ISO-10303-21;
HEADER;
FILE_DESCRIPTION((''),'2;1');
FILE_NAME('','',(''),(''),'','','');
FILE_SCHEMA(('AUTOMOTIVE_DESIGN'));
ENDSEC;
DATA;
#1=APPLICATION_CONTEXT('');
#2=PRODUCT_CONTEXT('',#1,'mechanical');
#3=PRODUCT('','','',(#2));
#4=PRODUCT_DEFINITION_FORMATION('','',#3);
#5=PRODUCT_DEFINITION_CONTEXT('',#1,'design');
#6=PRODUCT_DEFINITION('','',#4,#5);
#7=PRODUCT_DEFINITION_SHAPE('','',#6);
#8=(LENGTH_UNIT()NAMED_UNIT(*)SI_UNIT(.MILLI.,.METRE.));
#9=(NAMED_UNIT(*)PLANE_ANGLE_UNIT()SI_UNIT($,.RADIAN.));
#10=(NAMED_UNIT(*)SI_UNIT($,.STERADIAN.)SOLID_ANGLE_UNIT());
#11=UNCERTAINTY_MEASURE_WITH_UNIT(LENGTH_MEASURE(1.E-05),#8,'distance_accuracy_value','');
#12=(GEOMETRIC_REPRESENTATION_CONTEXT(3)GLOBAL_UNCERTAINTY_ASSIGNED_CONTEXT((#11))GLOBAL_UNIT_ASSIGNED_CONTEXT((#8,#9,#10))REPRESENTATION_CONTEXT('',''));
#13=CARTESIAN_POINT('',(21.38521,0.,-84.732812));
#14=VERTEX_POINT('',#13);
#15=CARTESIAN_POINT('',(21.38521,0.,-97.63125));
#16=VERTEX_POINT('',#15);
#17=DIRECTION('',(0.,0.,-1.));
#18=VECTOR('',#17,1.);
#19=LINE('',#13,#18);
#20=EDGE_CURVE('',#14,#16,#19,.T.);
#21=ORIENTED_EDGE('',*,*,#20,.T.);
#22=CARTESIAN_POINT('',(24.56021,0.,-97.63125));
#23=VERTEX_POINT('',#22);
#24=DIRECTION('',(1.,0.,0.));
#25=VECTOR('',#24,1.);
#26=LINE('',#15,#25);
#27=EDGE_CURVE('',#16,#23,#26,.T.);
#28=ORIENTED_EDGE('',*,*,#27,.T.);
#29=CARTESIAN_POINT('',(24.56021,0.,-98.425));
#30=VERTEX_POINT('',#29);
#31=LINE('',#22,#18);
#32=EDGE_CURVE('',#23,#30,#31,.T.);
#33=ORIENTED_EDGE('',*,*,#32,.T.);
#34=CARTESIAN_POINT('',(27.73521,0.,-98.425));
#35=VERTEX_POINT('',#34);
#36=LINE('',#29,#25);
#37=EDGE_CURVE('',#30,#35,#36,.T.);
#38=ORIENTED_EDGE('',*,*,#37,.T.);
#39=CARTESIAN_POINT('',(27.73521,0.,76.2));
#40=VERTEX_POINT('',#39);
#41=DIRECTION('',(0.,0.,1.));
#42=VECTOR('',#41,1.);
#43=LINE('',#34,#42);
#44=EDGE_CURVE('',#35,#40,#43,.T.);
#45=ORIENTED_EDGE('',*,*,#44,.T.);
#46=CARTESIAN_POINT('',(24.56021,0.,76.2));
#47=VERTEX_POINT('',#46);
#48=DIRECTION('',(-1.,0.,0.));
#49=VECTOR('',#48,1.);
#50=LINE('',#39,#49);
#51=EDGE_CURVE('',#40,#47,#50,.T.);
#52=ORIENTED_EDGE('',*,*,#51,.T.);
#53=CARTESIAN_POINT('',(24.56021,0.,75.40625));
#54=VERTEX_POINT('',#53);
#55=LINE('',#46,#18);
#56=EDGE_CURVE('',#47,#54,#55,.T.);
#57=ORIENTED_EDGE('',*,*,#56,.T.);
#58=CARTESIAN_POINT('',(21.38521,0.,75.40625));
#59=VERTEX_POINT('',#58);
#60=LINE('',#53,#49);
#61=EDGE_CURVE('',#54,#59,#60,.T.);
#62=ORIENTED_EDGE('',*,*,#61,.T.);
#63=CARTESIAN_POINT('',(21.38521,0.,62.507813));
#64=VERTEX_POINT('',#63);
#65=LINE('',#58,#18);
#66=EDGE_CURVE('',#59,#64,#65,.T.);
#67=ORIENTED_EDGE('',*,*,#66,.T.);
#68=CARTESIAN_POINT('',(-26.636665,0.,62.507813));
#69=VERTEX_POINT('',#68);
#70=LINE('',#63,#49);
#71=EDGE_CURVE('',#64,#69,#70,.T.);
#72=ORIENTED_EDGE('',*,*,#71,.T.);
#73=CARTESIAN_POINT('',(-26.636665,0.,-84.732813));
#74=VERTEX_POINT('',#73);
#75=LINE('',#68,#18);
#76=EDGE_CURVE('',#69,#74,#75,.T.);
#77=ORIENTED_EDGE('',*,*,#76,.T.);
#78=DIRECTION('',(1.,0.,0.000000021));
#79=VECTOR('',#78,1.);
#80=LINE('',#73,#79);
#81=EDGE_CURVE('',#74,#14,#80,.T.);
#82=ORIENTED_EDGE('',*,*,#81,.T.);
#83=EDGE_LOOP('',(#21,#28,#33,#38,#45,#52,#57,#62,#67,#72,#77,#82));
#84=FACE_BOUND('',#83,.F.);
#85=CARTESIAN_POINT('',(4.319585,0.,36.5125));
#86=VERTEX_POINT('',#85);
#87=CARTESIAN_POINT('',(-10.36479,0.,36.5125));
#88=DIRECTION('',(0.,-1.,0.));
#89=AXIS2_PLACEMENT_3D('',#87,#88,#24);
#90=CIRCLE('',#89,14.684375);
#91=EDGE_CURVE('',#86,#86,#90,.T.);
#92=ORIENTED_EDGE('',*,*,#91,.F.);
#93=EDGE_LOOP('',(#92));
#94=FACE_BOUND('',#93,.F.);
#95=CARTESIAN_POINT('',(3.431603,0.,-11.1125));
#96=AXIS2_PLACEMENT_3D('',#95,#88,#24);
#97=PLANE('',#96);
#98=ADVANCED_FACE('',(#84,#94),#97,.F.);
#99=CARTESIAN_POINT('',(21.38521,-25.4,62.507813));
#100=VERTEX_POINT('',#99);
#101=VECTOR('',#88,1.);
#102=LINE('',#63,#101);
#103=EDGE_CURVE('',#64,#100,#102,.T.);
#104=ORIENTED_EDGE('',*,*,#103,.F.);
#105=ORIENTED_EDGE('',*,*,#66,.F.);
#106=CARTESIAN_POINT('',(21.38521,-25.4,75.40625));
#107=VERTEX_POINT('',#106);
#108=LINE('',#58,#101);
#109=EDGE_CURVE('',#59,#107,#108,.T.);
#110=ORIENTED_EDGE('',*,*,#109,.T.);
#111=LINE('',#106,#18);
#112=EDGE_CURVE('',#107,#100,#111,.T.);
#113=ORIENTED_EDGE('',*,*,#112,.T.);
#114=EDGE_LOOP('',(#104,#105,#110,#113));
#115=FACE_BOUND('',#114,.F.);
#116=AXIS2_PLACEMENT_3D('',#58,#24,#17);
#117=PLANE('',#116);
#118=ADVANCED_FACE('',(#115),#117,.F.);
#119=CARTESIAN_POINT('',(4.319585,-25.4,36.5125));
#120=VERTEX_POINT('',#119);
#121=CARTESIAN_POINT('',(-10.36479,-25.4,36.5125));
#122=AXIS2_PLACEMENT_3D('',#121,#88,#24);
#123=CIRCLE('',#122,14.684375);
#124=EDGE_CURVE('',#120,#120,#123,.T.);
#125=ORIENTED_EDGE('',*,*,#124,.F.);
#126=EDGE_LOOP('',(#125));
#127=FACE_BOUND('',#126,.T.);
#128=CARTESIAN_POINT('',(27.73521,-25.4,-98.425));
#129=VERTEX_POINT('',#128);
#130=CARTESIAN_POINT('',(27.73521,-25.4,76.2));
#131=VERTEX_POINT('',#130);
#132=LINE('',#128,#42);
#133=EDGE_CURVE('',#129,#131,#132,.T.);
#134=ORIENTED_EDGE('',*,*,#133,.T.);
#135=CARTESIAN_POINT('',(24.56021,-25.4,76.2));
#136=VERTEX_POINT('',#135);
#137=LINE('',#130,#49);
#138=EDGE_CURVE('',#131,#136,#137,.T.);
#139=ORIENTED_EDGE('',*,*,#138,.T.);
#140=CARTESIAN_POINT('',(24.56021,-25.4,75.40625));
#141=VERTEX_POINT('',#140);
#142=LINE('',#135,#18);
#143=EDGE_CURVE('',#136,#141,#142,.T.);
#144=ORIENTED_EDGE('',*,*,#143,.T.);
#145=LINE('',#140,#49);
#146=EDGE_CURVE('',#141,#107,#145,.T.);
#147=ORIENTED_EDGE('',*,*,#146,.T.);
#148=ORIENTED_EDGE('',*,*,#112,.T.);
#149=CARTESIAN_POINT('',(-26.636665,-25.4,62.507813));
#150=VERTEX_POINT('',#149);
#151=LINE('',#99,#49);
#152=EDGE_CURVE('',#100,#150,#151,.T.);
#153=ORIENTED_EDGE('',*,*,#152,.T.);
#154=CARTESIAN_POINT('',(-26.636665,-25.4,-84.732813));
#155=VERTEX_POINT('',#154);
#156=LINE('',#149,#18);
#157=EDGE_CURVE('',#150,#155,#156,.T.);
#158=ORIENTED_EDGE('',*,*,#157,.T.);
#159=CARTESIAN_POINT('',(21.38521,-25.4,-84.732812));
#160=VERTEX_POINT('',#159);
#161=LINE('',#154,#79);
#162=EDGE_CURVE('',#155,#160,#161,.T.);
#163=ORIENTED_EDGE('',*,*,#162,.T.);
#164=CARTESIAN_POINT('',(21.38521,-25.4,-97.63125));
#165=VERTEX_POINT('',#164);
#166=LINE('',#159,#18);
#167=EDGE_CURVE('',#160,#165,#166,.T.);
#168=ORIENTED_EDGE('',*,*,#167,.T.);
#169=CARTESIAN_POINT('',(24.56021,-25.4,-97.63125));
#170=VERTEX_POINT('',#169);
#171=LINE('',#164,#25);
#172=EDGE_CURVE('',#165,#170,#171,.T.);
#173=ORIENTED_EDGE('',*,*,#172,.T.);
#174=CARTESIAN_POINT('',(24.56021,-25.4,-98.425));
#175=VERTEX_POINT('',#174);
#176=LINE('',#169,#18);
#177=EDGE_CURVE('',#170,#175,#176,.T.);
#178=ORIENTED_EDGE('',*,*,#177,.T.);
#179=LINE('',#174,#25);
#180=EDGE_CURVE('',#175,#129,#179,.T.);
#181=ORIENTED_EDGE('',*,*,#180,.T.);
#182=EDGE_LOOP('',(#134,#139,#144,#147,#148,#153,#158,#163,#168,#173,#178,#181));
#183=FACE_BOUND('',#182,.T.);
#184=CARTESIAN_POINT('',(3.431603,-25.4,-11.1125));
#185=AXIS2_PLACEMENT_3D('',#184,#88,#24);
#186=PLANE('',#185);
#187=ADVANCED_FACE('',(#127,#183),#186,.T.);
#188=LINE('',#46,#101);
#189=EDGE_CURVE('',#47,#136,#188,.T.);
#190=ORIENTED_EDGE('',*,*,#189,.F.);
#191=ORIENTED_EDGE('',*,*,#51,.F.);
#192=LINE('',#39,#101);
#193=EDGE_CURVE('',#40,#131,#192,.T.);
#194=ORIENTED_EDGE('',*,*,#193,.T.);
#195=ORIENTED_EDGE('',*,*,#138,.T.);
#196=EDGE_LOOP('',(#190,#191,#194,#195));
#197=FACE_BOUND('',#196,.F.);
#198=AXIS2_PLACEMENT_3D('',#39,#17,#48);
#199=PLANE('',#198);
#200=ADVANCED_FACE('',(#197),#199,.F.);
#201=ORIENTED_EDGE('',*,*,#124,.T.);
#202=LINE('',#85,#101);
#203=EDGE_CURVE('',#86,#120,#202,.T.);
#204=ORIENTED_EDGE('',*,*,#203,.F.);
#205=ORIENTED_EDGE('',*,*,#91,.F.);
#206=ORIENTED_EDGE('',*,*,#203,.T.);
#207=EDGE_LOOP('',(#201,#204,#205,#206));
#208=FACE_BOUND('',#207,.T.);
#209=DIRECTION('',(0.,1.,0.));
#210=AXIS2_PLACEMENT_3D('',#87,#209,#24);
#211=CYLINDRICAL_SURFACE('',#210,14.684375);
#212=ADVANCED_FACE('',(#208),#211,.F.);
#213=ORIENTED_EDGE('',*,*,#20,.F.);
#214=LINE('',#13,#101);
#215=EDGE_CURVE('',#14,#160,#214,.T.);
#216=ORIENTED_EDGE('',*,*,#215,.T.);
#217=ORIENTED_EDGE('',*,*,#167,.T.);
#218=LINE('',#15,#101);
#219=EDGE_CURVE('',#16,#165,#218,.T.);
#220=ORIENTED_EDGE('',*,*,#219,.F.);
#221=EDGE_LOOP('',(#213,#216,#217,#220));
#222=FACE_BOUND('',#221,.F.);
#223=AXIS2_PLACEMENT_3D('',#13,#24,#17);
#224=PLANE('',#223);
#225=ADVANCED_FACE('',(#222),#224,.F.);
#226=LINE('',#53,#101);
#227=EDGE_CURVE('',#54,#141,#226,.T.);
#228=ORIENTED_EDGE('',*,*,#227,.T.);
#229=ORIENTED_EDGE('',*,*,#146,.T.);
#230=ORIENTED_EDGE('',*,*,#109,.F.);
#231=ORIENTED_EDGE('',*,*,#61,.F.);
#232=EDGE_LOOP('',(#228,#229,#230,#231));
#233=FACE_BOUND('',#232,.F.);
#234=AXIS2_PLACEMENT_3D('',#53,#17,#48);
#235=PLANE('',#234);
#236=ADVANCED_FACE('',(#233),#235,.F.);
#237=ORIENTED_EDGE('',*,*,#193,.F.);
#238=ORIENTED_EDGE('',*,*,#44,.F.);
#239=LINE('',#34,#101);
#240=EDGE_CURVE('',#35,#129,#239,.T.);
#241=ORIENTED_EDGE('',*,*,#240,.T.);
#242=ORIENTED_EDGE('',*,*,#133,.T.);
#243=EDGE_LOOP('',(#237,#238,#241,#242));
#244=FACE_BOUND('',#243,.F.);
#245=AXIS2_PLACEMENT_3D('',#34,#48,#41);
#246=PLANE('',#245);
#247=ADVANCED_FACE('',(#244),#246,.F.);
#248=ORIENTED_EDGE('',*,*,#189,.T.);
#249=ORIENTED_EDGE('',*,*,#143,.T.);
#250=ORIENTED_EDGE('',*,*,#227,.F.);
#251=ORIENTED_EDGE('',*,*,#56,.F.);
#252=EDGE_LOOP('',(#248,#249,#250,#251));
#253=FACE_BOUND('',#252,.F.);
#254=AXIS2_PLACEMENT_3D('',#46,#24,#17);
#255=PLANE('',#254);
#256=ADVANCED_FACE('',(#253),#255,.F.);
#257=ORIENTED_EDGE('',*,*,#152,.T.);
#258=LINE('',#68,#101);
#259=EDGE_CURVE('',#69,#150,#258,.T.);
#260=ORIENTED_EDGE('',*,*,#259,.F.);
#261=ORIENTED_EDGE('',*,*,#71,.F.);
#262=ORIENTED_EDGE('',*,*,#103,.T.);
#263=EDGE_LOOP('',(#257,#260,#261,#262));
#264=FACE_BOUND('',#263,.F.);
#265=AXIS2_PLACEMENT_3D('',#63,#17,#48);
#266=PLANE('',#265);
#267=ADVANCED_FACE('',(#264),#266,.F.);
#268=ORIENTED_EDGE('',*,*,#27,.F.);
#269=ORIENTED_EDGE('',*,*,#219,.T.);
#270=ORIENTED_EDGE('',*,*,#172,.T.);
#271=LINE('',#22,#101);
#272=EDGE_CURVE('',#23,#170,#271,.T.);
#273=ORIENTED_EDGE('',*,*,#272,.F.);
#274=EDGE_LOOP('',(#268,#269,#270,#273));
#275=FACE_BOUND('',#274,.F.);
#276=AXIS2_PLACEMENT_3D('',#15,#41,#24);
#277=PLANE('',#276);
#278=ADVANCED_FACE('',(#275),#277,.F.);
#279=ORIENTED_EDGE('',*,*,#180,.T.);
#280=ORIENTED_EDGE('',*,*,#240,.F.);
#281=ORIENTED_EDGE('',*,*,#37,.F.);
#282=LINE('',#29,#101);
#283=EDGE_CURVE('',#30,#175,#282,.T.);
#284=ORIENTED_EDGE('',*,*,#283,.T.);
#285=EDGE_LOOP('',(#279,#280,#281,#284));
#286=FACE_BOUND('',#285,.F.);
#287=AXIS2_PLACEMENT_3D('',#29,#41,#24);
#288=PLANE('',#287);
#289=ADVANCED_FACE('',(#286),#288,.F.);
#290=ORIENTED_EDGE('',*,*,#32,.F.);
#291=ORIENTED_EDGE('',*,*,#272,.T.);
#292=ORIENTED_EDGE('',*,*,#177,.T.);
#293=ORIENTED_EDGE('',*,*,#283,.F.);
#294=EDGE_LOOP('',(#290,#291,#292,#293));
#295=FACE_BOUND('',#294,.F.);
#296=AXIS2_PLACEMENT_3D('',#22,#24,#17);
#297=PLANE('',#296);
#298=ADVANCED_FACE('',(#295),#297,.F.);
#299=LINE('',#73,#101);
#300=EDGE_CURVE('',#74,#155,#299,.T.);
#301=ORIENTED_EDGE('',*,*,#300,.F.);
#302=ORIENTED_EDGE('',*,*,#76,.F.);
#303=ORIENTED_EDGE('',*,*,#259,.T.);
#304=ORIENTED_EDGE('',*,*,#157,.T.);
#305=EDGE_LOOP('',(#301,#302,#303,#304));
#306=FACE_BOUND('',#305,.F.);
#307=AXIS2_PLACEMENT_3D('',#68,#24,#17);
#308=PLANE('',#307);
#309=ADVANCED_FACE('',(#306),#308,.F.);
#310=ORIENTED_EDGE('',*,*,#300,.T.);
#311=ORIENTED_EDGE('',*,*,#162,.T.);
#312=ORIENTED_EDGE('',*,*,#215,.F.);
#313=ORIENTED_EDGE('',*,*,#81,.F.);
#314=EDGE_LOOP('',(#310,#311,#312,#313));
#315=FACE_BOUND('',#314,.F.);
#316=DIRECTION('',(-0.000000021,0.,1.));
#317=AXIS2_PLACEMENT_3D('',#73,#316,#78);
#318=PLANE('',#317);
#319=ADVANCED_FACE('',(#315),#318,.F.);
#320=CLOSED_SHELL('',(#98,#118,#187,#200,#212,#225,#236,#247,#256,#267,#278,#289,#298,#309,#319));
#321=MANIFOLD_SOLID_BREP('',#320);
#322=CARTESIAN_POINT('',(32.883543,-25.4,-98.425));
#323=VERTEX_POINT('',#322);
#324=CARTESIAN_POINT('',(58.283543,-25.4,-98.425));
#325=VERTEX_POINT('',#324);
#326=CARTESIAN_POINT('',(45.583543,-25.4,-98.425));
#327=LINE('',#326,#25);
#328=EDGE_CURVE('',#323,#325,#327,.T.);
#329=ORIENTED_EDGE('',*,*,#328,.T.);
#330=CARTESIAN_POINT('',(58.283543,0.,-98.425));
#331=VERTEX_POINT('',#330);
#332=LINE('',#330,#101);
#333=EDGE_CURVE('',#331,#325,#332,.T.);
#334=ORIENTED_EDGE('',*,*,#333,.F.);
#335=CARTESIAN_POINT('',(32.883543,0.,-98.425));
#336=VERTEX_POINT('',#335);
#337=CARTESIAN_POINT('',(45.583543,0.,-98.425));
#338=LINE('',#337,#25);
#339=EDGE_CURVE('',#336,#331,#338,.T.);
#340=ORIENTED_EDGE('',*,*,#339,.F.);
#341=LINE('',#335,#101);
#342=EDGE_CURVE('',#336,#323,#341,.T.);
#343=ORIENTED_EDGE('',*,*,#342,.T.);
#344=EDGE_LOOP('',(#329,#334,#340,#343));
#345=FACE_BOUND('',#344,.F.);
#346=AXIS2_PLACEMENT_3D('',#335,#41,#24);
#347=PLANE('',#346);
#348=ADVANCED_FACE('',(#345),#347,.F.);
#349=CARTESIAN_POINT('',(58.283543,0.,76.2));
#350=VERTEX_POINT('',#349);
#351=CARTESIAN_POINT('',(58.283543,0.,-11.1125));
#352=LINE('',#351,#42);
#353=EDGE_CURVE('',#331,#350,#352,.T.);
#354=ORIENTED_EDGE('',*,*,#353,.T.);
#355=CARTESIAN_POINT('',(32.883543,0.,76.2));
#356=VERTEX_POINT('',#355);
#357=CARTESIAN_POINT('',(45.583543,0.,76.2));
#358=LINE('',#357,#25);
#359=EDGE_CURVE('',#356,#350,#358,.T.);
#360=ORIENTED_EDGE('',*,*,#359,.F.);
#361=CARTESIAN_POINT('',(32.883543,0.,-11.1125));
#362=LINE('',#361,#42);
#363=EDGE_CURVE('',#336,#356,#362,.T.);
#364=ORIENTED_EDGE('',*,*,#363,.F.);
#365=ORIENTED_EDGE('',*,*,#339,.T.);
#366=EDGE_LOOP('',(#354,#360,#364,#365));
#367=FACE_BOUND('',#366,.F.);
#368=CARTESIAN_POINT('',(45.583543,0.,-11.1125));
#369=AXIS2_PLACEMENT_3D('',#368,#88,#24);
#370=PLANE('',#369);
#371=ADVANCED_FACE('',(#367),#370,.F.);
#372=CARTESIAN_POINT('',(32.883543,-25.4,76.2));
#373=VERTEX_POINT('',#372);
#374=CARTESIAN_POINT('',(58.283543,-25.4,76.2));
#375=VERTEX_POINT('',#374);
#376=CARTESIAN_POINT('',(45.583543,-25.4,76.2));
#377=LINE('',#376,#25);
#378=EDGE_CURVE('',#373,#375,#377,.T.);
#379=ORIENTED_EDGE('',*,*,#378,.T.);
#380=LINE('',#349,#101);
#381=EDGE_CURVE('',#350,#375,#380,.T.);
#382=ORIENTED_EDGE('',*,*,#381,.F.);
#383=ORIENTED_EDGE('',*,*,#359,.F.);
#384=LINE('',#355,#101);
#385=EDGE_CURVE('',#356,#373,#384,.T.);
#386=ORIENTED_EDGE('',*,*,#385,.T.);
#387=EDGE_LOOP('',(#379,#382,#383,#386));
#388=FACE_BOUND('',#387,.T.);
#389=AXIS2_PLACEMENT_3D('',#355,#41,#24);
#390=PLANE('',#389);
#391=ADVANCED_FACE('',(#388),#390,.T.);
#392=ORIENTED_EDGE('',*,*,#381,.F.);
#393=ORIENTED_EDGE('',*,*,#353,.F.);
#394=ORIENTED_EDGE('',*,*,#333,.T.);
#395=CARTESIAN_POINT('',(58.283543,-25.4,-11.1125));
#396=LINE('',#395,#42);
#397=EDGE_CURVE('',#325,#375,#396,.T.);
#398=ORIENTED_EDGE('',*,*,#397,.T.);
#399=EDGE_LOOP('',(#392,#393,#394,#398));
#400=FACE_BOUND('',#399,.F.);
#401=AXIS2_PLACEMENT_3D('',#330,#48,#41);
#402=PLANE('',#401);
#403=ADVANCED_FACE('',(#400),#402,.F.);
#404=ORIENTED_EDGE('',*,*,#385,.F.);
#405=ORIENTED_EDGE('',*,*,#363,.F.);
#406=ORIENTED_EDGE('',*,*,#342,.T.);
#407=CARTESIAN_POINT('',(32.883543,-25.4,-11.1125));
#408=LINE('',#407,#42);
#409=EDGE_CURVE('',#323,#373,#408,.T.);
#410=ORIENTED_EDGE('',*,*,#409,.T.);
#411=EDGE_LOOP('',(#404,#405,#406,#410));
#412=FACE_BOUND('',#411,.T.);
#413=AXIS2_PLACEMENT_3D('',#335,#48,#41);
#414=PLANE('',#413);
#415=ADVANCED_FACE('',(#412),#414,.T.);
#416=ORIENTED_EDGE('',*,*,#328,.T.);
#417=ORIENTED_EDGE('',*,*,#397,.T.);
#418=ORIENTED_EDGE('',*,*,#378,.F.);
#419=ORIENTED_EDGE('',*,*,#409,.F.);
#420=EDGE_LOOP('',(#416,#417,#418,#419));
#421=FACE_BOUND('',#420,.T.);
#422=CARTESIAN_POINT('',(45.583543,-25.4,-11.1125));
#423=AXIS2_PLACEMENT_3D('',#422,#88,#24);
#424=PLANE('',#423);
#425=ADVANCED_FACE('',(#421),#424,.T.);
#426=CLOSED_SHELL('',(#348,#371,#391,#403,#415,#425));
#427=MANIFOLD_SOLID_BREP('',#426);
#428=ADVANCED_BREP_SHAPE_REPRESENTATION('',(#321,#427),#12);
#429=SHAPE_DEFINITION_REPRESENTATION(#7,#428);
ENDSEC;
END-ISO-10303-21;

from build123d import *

# Parameters (mm, degrees)
F0_R     = 14.684375
F0_W     = 25.4
F0_H     = 174.625
F1_DEPTH = 25.4


with BuildPart() as f1:
    # F0 (on Front) → F1 (new body)
    with BuildSketch(Plane.XZ):
        Polygon((21.38521, 62.507813), (-26.636665, 62.507813), (-26.636665, -84.732813), (21.38521, -84.732812), (21.38521, -97.63125), (24.56021, -97.63125), (24.56021, -98.425), (27.73521, -98.425), (27.73521, 76.2), (24.56021, 76.2), (24.56021, 75.40625), (21.38521, 75.40625), align=None)
        with Locations((-10.36479, 36.5125)):
            Circle(F0_R, mode=Mode.SUBTRACT)
        with Locations((45.583543, -11.1125)):
            Rectangle(F0_W, F0_H)
    extrude(amount=F1_DEPTH)


solid = f1.part
